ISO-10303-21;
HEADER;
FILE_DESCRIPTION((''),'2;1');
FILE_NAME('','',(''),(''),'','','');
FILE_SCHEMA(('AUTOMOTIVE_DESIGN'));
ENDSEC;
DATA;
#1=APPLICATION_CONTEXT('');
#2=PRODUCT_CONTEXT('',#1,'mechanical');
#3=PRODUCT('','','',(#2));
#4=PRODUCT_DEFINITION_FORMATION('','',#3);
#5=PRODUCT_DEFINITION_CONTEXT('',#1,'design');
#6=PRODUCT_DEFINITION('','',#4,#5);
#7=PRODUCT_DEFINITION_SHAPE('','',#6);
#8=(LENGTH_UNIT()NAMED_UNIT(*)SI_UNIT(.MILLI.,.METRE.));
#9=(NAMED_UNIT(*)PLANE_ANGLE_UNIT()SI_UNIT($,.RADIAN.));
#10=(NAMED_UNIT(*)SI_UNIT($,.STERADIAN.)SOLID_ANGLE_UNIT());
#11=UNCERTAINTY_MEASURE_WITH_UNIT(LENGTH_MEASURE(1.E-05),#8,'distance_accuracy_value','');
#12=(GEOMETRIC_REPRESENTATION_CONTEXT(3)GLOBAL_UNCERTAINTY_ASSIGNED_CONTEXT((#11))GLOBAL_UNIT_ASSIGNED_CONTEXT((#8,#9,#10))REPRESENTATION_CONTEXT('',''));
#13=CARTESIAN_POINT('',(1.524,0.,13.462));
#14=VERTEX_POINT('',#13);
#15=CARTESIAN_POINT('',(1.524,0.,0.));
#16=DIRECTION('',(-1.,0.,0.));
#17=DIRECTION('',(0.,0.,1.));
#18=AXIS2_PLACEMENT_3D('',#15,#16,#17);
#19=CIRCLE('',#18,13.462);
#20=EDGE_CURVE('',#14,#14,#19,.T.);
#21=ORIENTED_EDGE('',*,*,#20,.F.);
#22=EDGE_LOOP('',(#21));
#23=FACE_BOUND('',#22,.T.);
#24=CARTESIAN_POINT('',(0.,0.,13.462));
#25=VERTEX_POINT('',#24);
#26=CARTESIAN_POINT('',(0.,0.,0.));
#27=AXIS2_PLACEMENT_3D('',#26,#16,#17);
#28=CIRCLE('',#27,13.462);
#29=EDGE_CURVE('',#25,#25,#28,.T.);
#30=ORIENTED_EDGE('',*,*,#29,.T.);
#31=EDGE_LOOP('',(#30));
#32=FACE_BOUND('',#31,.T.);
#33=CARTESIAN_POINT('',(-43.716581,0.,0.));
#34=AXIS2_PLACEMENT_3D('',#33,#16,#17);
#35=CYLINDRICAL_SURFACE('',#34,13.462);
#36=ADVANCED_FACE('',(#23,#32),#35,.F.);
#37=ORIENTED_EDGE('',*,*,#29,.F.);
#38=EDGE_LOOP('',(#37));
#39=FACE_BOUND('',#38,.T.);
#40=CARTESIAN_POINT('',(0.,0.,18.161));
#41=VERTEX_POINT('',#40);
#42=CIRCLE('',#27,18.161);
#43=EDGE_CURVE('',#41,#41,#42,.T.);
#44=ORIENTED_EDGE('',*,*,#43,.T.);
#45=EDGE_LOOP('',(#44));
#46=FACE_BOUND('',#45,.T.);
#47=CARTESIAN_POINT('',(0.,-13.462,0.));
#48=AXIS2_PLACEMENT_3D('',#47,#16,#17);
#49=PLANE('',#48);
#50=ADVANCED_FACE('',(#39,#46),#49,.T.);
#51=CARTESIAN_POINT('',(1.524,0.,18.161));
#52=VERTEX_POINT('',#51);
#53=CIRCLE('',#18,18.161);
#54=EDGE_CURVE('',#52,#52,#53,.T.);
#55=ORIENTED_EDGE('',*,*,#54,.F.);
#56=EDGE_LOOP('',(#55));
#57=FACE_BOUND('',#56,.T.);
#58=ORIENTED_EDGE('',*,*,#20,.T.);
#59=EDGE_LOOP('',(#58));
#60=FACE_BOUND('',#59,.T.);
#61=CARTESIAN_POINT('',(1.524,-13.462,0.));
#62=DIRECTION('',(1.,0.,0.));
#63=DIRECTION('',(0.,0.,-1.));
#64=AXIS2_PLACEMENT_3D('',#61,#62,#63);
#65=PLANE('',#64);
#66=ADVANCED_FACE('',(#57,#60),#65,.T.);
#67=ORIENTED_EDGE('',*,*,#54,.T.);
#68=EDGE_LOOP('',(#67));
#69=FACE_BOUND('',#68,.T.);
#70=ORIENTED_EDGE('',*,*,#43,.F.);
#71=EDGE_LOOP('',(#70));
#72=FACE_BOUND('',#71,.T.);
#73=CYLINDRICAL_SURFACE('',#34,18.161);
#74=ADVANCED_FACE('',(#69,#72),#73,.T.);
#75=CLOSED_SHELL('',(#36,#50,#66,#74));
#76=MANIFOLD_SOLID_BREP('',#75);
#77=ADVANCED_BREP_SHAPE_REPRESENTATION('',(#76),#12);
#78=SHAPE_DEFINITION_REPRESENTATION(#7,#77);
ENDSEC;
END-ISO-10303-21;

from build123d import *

# Parameters (mm, degrees)
SKETCH1_W = 1.524
SKETCH1_H = 4.699


with BuildPart() as part:
    # Sketch1 → Revolve1 (revolve)
    with BuildSketch(Plane.XY, mode=Mode.PRIVATE) as revolve1_sk:
        with Locations((0.762, -15.8115)):
            Rectangle(SKETCH1_W, SKETCH1_H)
    revolve(revolve1_sk.sketch.rotate(Axis((-43.716580756, 0, 0), (1, 0, 0)), 270), axis=Axis((-43.716580756, 0, 0), (1, 0, 0)))  # turned: the seam where the file's is


solid = part.part
